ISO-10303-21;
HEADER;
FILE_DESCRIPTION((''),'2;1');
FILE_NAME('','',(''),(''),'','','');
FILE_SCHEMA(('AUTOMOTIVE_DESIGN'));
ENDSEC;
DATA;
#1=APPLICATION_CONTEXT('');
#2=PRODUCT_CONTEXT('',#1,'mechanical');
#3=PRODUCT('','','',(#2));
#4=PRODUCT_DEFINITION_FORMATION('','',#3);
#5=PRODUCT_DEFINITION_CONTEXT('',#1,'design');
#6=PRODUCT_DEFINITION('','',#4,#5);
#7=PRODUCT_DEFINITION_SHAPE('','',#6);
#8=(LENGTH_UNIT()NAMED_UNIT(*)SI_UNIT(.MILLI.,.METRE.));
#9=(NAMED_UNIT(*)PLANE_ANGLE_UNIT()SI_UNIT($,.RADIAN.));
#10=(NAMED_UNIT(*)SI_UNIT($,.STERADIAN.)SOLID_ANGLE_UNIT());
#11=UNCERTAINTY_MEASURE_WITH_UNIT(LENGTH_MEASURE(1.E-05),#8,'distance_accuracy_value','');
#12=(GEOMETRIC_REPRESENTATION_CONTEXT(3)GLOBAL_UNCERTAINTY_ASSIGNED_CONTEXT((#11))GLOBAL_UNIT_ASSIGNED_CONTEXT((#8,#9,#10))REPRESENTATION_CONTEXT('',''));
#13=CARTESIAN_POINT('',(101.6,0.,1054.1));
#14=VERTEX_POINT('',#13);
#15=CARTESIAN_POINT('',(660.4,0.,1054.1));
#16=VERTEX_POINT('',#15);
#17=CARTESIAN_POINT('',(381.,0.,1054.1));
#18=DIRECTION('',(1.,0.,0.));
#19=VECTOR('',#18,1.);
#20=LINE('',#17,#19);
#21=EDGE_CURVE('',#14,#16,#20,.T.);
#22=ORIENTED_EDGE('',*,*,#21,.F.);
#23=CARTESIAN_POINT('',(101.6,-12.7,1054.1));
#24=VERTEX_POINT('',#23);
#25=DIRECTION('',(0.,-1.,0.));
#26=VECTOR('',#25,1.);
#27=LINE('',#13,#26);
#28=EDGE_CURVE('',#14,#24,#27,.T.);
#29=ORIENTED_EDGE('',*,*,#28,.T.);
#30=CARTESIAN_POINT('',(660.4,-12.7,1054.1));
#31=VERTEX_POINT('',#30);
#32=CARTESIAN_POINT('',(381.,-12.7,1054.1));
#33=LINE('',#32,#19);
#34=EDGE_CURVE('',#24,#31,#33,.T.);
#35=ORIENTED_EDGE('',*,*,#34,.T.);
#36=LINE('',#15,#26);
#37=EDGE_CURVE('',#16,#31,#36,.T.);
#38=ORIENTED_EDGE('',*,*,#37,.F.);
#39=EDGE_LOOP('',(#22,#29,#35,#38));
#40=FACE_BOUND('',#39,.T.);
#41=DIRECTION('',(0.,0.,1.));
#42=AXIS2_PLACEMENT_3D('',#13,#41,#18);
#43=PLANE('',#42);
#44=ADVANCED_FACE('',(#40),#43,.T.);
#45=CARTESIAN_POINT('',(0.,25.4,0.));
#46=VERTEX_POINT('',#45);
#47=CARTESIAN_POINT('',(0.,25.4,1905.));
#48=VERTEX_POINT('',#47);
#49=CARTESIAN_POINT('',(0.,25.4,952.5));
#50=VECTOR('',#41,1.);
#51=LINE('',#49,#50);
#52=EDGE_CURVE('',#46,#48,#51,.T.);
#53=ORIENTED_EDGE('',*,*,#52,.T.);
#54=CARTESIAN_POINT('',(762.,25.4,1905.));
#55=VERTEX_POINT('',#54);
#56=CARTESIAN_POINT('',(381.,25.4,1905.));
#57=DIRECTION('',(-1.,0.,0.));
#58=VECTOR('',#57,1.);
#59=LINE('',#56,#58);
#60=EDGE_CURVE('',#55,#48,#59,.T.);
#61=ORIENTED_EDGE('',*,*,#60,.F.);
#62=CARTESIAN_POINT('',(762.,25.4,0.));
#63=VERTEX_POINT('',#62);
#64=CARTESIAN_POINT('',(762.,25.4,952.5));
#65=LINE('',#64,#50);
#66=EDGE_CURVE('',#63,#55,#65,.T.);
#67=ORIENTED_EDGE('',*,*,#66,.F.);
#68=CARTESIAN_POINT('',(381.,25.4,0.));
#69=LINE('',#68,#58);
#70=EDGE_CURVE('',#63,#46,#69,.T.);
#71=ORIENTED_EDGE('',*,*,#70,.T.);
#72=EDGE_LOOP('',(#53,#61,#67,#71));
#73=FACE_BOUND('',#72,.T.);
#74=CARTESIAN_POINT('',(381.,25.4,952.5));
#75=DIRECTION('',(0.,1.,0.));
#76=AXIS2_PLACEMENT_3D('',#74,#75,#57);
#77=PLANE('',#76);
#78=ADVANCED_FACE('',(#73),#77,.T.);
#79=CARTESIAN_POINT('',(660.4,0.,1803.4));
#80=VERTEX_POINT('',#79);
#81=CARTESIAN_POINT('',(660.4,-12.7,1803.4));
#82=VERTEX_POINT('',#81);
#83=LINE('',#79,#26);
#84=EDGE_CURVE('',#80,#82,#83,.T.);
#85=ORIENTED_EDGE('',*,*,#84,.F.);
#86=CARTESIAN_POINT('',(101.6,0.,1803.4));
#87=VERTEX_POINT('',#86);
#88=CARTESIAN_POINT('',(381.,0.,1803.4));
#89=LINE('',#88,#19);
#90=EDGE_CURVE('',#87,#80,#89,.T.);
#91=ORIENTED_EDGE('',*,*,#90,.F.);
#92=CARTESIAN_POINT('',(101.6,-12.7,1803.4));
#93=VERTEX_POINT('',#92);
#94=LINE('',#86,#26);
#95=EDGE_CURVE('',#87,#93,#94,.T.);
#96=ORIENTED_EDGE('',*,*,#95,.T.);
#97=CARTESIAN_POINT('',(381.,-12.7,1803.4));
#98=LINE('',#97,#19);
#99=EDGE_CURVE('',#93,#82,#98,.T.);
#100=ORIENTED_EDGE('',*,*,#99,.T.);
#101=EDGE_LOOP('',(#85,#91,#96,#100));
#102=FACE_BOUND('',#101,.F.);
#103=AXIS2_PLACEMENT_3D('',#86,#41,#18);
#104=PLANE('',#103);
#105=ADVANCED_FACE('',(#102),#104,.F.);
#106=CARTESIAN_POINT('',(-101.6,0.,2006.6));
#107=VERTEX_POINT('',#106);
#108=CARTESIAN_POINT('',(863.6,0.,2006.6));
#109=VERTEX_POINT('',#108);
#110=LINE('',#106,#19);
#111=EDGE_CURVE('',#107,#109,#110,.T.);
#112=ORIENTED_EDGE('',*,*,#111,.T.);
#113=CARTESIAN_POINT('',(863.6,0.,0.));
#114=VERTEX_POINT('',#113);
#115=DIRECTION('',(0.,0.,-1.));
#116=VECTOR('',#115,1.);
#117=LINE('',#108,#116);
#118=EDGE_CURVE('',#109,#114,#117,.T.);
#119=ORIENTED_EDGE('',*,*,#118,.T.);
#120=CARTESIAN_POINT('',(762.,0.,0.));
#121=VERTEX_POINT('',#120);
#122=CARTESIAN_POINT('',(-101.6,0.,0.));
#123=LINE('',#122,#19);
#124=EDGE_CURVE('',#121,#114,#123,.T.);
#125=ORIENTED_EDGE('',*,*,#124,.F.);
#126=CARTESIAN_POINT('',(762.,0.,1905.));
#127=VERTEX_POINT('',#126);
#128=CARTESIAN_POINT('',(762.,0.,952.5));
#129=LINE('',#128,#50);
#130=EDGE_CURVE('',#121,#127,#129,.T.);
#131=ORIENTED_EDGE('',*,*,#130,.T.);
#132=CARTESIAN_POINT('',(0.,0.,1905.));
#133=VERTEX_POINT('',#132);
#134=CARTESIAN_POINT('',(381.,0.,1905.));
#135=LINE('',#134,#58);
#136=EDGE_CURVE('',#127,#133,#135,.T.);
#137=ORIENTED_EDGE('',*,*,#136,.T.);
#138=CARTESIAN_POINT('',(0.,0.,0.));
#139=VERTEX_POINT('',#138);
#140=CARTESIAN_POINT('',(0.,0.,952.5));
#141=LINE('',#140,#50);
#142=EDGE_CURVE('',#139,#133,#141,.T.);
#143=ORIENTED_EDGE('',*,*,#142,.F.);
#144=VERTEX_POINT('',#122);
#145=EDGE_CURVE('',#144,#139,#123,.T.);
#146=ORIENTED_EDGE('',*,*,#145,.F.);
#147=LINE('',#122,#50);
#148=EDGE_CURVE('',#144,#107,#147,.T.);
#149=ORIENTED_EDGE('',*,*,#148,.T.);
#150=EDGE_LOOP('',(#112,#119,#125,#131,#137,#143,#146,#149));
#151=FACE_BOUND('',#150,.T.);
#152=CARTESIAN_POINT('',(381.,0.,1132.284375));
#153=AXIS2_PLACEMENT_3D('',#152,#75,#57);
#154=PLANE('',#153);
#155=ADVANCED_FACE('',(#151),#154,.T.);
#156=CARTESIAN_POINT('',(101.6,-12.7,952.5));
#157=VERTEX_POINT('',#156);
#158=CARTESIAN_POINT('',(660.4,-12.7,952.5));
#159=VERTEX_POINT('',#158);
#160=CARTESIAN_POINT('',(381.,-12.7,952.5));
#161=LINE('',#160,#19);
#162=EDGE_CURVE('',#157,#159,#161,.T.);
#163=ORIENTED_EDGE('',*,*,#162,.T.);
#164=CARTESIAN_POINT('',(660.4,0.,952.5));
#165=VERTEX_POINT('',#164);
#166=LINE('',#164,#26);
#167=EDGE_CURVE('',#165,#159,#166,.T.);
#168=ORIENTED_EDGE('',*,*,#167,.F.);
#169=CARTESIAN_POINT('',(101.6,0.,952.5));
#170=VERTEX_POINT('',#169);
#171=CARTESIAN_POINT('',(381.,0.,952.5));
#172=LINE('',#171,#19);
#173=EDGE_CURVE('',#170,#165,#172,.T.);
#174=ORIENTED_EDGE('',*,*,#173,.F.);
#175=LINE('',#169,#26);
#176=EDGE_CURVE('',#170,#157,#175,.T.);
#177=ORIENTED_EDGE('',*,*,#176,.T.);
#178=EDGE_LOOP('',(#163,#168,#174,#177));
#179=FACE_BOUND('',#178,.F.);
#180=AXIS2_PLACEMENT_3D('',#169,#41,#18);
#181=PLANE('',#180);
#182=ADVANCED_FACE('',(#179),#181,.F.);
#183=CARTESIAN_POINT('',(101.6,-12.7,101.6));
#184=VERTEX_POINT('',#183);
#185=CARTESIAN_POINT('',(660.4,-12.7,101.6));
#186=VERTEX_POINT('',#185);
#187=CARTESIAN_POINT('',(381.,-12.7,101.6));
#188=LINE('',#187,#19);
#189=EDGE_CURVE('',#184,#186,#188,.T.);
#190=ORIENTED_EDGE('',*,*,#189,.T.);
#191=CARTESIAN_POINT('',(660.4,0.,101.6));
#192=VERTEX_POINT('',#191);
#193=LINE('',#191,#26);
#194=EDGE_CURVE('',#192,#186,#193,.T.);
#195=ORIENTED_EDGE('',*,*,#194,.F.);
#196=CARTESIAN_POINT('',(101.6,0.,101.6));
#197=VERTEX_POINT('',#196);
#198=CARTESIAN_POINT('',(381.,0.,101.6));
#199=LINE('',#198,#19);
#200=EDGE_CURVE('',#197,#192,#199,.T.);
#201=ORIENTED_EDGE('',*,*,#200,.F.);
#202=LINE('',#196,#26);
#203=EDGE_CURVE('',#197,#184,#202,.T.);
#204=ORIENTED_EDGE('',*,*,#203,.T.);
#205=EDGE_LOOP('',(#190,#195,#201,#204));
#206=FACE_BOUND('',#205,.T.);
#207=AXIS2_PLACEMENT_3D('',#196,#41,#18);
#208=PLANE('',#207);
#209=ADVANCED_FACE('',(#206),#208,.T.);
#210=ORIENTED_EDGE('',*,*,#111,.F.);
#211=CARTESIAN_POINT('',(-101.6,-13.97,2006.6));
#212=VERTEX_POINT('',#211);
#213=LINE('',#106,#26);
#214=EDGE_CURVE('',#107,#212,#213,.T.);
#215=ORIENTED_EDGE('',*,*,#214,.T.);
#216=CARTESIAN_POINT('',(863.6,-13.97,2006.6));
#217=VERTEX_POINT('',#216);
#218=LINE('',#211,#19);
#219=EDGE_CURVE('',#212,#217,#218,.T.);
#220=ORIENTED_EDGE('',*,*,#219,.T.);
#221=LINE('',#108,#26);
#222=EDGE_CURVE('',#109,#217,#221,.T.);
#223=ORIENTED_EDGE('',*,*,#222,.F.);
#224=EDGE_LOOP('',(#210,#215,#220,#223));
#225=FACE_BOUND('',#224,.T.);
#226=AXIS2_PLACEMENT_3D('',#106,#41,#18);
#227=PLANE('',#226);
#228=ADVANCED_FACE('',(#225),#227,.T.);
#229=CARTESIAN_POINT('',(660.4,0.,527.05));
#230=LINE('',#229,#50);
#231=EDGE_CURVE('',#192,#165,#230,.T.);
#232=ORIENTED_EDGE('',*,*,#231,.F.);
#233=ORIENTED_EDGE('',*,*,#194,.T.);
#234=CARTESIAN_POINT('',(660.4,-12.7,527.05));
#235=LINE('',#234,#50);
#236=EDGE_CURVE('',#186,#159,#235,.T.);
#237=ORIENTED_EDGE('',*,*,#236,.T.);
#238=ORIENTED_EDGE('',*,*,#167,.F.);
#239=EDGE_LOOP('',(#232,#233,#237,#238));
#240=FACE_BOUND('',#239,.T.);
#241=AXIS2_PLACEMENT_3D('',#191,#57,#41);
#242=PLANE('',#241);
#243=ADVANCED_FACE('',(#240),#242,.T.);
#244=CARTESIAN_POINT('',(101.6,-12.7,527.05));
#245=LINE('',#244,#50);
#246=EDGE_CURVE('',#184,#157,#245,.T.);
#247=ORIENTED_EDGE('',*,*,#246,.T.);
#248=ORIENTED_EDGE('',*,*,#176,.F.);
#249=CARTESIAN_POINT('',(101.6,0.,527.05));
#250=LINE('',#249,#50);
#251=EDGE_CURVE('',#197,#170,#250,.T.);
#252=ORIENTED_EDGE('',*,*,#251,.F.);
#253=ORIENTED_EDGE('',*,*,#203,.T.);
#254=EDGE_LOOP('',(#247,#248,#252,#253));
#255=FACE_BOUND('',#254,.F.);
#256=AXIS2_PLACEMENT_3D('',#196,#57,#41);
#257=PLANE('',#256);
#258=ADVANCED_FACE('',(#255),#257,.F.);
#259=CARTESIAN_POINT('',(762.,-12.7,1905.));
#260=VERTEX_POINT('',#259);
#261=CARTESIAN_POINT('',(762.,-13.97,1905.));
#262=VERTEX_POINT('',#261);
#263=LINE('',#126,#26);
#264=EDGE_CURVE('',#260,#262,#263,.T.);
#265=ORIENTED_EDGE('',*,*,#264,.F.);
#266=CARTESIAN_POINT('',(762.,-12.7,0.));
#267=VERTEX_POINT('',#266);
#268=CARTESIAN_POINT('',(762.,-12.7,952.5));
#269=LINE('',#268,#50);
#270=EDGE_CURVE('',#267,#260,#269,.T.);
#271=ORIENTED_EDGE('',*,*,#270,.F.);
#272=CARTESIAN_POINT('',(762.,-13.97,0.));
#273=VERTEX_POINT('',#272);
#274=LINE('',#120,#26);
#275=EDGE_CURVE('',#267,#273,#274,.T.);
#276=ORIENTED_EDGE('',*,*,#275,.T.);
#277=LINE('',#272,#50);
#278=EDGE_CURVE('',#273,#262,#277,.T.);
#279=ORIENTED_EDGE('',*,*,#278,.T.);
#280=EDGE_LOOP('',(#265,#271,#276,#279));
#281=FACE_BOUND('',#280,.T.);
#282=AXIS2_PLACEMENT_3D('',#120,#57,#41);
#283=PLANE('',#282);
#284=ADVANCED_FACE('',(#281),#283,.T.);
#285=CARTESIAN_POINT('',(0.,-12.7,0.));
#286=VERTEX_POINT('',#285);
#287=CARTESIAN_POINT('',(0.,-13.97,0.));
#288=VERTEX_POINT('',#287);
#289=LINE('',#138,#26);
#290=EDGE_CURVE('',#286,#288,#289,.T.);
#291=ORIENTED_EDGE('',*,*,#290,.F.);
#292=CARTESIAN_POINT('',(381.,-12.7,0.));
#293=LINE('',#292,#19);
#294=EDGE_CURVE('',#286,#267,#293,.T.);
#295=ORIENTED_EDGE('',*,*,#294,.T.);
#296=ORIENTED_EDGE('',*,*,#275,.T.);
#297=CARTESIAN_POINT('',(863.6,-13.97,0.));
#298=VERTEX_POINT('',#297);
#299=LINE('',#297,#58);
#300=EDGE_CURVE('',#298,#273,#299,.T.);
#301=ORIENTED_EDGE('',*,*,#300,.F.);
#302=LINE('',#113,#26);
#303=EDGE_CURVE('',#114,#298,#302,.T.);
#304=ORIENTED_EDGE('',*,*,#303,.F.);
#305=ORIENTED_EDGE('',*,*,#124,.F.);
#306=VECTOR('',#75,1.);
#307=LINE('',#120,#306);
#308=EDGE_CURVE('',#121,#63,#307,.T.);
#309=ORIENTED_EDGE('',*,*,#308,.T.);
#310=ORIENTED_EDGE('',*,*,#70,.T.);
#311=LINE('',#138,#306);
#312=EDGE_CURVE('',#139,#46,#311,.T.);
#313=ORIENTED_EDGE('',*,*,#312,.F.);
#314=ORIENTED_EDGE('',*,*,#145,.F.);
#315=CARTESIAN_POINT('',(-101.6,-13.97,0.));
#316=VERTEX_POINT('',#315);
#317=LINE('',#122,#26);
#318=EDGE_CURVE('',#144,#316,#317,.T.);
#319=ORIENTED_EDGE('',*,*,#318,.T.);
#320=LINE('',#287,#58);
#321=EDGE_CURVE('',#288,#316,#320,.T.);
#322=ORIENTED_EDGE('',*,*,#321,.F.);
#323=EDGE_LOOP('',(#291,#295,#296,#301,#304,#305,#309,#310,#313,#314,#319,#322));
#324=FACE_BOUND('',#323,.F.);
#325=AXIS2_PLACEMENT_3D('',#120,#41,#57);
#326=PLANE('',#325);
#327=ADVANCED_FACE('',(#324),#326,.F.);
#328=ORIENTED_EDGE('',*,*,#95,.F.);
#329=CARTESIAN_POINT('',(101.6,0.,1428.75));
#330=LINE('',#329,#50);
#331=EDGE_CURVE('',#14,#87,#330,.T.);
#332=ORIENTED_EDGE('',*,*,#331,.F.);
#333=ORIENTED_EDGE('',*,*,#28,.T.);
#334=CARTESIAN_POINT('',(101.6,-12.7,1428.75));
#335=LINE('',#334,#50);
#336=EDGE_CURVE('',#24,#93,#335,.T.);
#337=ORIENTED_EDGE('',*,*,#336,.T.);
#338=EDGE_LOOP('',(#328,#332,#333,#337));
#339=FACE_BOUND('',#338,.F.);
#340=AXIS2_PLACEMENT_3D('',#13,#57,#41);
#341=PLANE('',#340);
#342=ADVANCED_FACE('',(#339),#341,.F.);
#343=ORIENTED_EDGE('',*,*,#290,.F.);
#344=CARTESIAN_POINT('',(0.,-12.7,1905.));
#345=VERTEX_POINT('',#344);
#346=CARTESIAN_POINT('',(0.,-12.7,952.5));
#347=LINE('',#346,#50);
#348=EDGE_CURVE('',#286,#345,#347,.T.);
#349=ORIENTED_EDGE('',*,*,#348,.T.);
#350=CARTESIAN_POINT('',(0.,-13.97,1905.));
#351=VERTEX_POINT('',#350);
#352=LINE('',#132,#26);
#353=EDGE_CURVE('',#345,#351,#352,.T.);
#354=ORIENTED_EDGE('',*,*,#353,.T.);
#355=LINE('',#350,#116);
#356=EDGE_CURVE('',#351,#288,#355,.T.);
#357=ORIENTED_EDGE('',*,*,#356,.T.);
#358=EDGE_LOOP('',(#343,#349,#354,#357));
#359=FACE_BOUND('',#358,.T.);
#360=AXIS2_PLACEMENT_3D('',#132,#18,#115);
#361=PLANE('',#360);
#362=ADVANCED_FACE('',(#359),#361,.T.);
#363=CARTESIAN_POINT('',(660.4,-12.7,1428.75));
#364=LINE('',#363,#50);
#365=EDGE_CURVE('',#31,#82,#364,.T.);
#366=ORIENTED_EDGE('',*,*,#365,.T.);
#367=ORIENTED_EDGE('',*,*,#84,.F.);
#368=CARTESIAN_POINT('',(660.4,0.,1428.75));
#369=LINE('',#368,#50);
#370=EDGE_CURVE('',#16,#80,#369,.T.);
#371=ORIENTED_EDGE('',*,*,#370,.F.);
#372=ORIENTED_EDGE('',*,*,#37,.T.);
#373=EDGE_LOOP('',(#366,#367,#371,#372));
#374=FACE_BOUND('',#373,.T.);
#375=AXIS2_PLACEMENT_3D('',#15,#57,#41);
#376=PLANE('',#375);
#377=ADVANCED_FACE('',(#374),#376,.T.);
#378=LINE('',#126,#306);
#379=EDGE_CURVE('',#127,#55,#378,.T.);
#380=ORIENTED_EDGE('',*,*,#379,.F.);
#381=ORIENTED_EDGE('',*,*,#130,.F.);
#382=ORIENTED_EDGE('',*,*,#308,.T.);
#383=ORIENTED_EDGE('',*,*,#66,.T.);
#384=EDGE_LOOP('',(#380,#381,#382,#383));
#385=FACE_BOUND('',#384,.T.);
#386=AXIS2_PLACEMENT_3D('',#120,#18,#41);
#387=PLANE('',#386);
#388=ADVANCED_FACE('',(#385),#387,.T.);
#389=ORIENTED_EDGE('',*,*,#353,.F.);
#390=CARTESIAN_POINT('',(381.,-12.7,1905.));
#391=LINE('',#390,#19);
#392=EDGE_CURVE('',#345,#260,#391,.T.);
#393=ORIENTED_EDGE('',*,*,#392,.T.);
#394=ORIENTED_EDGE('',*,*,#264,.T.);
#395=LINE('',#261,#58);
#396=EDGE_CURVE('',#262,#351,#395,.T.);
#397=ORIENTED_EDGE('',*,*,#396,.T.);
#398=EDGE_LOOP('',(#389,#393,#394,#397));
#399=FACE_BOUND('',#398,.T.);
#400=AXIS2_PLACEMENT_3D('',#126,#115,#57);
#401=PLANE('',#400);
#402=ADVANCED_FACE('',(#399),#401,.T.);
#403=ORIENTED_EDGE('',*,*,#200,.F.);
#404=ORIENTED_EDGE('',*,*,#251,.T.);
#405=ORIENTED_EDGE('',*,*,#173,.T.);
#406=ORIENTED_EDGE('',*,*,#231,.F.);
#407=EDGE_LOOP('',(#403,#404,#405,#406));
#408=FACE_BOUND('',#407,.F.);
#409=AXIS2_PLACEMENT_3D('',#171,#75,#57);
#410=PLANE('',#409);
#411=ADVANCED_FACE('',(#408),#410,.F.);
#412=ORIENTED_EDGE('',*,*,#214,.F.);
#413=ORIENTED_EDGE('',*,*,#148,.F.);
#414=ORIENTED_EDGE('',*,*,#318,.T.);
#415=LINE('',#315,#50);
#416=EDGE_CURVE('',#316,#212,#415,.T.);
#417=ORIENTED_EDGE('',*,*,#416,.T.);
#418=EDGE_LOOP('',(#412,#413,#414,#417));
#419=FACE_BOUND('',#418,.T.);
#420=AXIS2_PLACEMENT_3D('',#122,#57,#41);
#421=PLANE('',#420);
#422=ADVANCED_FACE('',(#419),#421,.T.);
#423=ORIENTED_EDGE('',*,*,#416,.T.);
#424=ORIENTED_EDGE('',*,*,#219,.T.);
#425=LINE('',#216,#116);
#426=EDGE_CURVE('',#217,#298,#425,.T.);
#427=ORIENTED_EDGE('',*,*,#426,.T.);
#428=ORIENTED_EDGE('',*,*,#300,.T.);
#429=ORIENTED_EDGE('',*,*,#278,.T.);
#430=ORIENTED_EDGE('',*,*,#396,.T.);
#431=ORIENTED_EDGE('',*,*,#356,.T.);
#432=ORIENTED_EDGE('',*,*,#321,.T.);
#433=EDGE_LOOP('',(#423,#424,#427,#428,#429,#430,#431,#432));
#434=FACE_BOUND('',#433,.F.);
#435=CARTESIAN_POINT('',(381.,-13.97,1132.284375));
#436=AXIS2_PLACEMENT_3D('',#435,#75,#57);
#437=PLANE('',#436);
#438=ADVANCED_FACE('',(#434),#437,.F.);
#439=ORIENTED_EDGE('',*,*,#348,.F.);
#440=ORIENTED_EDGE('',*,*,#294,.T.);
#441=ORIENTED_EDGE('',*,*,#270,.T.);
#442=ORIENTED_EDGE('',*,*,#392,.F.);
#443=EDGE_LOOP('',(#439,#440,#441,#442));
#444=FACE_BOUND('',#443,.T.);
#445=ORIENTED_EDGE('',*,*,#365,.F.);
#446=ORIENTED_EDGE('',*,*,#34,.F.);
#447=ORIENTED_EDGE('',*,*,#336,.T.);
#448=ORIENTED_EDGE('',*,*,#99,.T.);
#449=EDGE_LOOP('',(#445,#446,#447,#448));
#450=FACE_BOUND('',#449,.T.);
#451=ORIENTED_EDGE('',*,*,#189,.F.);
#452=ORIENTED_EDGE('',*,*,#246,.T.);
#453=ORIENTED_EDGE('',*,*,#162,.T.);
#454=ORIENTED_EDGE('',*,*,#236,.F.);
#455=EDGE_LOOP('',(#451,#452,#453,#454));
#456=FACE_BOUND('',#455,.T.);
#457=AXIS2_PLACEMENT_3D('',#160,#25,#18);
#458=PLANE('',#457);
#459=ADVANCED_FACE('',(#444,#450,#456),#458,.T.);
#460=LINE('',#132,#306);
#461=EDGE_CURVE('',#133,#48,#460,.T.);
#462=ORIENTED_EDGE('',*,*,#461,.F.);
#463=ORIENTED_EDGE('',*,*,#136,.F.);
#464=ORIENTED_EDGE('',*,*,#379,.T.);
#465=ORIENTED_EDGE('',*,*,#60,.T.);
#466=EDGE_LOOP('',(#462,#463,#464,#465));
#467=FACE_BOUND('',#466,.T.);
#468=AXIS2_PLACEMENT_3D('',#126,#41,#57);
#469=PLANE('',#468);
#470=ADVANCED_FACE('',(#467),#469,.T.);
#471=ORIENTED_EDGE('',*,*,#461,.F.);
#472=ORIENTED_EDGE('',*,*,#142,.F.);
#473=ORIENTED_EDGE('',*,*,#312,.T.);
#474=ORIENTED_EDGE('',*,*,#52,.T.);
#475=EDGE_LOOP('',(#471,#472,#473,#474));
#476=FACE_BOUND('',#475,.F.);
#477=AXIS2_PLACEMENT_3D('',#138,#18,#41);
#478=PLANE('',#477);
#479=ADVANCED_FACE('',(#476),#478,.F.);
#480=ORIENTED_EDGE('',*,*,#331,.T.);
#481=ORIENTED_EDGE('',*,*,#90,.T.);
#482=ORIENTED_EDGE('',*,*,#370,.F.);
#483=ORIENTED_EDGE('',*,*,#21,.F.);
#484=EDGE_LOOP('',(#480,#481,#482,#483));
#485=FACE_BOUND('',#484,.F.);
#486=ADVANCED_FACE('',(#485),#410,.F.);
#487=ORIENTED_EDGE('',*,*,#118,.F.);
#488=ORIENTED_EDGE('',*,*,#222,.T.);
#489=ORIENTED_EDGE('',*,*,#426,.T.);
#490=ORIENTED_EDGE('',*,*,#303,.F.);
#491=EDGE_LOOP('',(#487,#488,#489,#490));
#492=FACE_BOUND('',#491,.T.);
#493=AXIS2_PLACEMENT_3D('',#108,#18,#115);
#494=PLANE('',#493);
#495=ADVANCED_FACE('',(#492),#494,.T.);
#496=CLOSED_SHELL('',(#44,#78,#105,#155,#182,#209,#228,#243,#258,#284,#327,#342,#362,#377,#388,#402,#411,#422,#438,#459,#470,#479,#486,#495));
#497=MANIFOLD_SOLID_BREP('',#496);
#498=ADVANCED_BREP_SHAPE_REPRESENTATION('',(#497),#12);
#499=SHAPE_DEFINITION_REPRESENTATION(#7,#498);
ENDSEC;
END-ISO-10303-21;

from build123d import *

# Parameters (mm, degrees)
F0_W     = 762
F0_H     = 1905
F0_W_2   = 558.8
F0_H_2   = 850.9
F0_H_3   = 749.3
F1_DEPTH = 12.7
F3_DEPTH = 13.97
F4_W     = 762
F4_H     = 1905
F5_DEPTH = 25.4


with BuildPart() as f1:
    # F0 (on Front) → F1 (new body)
    with BuildSketch(Plane.XZ):
        with Locations((381, 952.5)):
            Rectangle(F0_W, F0_H)
        with Locations((381, 527.05)):
            Rectangle(F0_W_2, F0_H_2, mode=Mode.SUBTRACT)
        with Locations((381, 1428.75)):
            Rectangle(F0_W_2, F0_H_3, mode=Mode.SUBTRACT)
    extrude(amount=F1_DEPTH)

    # F2 (on face) → F3 (join)
    with BuildSketch(Plane(origin=(0, 0, 0), x_dir=(-1, 0, 0), z_dir=(0, 1, 0))):
        Polygon((0, 1905), (0, 0), (101.6, 0), (101.6, 2006.6), (-863.6, 2006.6), (-863.6, 0), (-762, 0), (-762, 1905), align=None)
    extrude(amount=-F3_DEPTH)

    # F4 (on face) → F5 (join)
    with BuildSketch(Plane(origin=(0, 0, 0), x_dir=(-1, 0, 0), z_dir=(0, 1, 0))):
        with Locations((-381, 952.5)):
            Rectangle(F4_W, F4_H)
    extrude(amount=F5_DEPTH)


solid = f1.part
